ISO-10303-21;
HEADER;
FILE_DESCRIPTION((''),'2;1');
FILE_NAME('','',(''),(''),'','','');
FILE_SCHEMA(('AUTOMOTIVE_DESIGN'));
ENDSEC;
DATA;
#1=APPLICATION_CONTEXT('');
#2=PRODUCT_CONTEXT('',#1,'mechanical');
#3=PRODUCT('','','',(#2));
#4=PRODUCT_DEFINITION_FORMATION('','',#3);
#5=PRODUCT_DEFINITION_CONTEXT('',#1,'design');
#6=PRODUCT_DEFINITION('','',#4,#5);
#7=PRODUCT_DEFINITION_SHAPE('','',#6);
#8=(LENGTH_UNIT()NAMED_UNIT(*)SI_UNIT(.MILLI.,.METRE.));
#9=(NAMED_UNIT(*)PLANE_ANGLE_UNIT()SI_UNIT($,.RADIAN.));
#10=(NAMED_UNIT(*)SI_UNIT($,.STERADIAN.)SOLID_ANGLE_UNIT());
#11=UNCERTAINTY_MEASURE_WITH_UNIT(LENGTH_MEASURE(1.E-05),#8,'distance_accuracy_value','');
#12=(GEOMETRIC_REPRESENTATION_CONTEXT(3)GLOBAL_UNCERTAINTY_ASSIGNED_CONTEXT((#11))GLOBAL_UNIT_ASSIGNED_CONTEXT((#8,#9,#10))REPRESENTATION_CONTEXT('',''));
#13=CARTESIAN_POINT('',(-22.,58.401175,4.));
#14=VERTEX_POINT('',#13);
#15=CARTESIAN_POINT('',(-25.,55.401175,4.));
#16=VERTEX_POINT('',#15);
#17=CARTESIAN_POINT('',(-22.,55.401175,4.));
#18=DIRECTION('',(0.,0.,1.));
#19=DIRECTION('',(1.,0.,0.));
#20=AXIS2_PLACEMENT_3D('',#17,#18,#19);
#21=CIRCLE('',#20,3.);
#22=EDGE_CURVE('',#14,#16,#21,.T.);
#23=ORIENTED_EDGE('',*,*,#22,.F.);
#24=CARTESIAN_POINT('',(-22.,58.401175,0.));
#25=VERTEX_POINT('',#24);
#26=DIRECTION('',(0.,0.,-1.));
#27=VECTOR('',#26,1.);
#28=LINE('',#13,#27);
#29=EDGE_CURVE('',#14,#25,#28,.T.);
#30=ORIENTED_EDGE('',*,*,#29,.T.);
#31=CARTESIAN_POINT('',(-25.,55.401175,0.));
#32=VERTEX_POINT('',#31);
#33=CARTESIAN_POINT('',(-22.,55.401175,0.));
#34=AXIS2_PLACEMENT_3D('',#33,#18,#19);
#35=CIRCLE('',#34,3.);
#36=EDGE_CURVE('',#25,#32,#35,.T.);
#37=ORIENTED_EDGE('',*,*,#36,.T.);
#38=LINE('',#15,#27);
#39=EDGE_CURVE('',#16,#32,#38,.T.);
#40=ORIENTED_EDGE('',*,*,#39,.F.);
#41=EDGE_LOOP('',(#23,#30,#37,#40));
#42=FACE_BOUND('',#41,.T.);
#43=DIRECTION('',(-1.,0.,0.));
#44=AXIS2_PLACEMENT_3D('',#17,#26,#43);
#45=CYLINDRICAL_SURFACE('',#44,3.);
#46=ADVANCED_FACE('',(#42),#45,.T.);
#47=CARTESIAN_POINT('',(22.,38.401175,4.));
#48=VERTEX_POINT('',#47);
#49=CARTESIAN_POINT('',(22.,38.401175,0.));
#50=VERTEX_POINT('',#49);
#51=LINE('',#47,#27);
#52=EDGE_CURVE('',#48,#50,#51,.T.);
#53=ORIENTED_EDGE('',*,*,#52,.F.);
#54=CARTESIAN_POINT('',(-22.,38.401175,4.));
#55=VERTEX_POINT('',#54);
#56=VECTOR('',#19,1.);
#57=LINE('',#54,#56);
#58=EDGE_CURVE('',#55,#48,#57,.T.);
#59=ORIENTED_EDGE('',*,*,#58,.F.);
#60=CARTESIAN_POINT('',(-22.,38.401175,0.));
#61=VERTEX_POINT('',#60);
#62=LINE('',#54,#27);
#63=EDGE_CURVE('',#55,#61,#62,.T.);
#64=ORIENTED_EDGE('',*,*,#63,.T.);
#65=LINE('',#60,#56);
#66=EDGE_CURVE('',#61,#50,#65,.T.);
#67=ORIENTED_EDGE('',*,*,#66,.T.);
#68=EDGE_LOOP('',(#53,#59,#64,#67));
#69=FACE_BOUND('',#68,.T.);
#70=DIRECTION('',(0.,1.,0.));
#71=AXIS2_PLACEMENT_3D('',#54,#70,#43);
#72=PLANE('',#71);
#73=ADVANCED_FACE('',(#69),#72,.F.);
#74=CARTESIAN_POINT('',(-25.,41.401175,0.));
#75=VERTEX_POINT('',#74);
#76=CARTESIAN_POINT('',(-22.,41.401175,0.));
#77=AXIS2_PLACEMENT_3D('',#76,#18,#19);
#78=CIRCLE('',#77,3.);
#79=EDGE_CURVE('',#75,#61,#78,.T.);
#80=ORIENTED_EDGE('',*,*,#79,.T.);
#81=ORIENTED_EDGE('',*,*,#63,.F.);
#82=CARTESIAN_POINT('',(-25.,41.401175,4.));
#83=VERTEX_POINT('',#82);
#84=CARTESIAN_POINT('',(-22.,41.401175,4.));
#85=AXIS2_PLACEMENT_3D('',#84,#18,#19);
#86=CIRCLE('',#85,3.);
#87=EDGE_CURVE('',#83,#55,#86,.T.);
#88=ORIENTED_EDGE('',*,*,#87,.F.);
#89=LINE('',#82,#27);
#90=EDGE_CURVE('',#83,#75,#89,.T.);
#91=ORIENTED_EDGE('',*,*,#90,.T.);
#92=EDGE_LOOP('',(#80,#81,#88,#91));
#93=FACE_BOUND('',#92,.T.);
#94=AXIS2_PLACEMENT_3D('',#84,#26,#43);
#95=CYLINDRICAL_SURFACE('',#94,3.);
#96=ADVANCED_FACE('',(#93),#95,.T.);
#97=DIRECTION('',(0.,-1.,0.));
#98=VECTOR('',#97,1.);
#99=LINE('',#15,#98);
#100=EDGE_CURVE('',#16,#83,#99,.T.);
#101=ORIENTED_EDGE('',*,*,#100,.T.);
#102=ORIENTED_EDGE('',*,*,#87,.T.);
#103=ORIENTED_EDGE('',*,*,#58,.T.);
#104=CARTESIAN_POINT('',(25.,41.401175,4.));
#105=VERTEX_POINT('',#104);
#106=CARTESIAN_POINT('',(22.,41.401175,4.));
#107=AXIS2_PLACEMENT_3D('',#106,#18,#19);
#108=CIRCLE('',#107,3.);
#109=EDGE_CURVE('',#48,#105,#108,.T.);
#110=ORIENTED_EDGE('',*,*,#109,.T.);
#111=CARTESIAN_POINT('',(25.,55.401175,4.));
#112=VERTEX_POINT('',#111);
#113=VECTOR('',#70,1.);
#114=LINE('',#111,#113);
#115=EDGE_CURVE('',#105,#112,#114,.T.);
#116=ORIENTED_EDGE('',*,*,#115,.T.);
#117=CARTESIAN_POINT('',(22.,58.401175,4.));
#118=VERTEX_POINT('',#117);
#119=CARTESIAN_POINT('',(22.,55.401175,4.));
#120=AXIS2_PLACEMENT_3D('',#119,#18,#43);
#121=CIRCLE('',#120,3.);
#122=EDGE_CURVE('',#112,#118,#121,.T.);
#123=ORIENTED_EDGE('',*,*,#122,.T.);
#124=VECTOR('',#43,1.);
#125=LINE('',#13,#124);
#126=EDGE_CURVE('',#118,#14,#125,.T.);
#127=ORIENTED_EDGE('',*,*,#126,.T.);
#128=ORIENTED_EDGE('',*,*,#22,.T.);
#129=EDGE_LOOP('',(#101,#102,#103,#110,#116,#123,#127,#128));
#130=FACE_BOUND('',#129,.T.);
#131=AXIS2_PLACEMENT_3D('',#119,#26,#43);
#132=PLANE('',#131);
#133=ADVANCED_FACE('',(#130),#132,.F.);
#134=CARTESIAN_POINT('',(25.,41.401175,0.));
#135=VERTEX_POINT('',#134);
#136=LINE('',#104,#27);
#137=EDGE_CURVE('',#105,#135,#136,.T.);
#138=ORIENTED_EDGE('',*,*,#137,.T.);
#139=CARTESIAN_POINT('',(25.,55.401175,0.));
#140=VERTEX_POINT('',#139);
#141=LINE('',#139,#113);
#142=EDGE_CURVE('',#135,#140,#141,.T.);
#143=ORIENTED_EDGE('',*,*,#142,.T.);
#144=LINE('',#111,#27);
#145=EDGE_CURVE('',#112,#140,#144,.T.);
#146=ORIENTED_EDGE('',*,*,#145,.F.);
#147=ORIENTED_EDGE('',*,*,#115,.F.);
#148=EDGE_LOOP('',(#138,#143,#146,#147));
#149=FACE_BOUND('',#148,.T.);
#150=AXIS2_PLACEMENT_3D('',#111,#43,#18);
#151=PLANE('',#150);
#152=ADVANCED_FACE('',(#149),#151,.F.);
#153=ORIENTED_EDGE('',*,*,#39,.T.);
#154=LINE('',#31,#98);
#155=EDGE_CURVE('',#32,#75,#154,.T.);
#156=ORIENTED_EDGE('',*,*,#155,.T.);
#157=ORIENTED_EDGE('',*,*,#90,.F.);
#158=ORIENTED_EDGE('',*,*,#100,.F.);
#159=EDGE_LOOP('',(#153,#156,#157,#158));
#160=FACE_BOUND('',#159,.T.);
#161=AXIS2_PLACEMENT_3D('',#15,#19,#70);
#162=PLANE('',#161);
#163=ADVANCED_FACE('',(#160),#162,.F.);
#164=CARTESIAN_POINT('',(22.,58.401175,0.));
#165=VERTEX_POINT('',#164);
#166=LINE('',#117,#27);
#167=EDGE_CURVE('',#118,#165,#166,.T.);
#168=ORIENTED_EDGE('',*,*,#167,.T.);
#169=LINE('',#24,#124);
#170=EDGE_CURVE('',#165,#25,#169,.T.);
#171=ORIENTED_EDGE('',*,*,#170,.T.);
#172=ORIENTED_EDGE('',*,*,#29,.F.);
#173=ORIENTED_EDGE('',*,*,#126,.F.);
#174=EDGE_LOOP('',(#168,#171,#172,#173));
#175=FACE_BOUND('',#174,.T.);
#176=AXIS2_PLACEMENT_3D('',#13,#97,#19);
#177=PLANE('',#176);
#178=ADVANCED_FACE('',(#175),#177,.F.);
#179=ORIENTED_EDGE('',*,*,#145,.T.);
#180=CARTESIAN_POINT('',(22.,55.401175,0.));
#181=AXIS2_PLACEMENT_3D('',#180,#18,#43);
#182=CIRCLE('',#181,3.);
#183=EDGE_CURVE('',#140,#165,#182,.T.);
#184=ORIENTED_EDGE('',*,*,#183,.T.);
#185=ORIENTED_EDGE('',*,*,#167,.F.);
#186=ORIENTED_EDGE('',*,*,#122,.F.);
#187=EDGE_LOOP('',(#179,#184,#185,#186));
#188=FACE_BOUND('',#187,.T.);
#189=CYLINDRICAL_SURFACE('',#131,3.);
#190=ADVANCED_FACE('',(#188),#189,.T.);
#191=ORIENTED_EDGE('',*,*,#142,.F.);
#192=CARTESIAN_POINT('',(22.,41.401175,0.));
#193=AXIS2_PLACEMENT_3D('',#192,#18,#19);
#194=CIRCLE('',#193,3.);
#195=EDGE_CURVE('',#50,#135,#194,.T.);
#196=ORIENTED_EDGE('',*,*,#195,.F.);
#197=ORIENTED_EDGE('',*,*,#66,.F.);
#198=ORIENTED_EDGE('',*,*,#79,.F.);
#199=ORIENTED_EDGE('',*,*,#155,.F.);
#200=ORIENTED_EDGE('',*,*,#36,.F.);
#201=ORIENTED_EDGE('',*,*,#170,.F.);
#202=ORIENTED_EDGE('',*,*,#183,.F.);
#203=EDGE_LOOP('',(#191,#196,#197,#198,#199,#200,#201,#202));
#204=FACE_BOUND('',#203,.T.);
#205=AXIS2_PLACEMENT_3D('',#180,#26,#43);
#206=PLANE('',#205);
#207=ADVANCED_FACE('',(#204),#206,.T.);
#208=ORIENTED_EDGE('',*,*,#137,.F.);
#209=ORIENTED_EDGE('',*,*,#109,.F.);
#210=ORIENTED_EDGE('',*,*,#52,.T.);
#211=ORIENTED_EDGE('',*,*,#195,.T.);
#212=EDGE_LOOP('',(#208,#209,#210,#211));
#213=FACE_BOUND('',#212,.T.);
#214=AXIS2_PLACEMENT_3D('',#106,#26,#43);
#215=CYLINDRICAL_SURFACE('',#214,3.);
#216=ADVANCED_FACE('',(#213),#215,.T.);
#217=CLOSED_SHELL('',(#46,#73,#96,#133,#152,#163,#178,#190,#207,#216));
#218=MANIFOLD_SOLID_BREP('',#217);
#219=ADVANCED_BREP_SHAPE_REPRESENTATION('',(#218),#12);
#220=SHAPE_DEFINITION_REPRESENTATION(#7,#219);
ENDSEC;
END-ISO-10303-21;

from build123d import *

# Parameters (mm, degrees)
BOSS_EXTRUDE1_DEPTH = 4


with BuildPart() as part:
    # Sketch1 → Boss-Extrude1 (new body)
    with BuildSketch(Plane.XY):
        with BuildLine():
            Line((-22, 58.401174793), (22, 58.401174793))
            ThreePointArc((22, 58.401174793), (24.121320344, 57.522495136), (25, 55.401174793))
            Line((25, 55.401174793), (25, 41.401174793))
            ThreePointArc((25, 41.401174793), (24.121320344, 39.279854449), (22, 38.401174793))
            Line((22, 38.401174793), (-22, 38.401174793))
            ThreePointArc((-22, 38.401174793), (-24.121320344, 39.279854449), (-25, 41.401174793))
            Line((-25, 41.401174793), (-25, 55.401174793))
            ThreePointArc((-25, 55.401174793), (-24.121320344, 57.522495136), (-22, 58.401174793))
        make_face()
    extrude(amount=BOSS_EXTRUDE1_DEPTH)


solid = part.part
